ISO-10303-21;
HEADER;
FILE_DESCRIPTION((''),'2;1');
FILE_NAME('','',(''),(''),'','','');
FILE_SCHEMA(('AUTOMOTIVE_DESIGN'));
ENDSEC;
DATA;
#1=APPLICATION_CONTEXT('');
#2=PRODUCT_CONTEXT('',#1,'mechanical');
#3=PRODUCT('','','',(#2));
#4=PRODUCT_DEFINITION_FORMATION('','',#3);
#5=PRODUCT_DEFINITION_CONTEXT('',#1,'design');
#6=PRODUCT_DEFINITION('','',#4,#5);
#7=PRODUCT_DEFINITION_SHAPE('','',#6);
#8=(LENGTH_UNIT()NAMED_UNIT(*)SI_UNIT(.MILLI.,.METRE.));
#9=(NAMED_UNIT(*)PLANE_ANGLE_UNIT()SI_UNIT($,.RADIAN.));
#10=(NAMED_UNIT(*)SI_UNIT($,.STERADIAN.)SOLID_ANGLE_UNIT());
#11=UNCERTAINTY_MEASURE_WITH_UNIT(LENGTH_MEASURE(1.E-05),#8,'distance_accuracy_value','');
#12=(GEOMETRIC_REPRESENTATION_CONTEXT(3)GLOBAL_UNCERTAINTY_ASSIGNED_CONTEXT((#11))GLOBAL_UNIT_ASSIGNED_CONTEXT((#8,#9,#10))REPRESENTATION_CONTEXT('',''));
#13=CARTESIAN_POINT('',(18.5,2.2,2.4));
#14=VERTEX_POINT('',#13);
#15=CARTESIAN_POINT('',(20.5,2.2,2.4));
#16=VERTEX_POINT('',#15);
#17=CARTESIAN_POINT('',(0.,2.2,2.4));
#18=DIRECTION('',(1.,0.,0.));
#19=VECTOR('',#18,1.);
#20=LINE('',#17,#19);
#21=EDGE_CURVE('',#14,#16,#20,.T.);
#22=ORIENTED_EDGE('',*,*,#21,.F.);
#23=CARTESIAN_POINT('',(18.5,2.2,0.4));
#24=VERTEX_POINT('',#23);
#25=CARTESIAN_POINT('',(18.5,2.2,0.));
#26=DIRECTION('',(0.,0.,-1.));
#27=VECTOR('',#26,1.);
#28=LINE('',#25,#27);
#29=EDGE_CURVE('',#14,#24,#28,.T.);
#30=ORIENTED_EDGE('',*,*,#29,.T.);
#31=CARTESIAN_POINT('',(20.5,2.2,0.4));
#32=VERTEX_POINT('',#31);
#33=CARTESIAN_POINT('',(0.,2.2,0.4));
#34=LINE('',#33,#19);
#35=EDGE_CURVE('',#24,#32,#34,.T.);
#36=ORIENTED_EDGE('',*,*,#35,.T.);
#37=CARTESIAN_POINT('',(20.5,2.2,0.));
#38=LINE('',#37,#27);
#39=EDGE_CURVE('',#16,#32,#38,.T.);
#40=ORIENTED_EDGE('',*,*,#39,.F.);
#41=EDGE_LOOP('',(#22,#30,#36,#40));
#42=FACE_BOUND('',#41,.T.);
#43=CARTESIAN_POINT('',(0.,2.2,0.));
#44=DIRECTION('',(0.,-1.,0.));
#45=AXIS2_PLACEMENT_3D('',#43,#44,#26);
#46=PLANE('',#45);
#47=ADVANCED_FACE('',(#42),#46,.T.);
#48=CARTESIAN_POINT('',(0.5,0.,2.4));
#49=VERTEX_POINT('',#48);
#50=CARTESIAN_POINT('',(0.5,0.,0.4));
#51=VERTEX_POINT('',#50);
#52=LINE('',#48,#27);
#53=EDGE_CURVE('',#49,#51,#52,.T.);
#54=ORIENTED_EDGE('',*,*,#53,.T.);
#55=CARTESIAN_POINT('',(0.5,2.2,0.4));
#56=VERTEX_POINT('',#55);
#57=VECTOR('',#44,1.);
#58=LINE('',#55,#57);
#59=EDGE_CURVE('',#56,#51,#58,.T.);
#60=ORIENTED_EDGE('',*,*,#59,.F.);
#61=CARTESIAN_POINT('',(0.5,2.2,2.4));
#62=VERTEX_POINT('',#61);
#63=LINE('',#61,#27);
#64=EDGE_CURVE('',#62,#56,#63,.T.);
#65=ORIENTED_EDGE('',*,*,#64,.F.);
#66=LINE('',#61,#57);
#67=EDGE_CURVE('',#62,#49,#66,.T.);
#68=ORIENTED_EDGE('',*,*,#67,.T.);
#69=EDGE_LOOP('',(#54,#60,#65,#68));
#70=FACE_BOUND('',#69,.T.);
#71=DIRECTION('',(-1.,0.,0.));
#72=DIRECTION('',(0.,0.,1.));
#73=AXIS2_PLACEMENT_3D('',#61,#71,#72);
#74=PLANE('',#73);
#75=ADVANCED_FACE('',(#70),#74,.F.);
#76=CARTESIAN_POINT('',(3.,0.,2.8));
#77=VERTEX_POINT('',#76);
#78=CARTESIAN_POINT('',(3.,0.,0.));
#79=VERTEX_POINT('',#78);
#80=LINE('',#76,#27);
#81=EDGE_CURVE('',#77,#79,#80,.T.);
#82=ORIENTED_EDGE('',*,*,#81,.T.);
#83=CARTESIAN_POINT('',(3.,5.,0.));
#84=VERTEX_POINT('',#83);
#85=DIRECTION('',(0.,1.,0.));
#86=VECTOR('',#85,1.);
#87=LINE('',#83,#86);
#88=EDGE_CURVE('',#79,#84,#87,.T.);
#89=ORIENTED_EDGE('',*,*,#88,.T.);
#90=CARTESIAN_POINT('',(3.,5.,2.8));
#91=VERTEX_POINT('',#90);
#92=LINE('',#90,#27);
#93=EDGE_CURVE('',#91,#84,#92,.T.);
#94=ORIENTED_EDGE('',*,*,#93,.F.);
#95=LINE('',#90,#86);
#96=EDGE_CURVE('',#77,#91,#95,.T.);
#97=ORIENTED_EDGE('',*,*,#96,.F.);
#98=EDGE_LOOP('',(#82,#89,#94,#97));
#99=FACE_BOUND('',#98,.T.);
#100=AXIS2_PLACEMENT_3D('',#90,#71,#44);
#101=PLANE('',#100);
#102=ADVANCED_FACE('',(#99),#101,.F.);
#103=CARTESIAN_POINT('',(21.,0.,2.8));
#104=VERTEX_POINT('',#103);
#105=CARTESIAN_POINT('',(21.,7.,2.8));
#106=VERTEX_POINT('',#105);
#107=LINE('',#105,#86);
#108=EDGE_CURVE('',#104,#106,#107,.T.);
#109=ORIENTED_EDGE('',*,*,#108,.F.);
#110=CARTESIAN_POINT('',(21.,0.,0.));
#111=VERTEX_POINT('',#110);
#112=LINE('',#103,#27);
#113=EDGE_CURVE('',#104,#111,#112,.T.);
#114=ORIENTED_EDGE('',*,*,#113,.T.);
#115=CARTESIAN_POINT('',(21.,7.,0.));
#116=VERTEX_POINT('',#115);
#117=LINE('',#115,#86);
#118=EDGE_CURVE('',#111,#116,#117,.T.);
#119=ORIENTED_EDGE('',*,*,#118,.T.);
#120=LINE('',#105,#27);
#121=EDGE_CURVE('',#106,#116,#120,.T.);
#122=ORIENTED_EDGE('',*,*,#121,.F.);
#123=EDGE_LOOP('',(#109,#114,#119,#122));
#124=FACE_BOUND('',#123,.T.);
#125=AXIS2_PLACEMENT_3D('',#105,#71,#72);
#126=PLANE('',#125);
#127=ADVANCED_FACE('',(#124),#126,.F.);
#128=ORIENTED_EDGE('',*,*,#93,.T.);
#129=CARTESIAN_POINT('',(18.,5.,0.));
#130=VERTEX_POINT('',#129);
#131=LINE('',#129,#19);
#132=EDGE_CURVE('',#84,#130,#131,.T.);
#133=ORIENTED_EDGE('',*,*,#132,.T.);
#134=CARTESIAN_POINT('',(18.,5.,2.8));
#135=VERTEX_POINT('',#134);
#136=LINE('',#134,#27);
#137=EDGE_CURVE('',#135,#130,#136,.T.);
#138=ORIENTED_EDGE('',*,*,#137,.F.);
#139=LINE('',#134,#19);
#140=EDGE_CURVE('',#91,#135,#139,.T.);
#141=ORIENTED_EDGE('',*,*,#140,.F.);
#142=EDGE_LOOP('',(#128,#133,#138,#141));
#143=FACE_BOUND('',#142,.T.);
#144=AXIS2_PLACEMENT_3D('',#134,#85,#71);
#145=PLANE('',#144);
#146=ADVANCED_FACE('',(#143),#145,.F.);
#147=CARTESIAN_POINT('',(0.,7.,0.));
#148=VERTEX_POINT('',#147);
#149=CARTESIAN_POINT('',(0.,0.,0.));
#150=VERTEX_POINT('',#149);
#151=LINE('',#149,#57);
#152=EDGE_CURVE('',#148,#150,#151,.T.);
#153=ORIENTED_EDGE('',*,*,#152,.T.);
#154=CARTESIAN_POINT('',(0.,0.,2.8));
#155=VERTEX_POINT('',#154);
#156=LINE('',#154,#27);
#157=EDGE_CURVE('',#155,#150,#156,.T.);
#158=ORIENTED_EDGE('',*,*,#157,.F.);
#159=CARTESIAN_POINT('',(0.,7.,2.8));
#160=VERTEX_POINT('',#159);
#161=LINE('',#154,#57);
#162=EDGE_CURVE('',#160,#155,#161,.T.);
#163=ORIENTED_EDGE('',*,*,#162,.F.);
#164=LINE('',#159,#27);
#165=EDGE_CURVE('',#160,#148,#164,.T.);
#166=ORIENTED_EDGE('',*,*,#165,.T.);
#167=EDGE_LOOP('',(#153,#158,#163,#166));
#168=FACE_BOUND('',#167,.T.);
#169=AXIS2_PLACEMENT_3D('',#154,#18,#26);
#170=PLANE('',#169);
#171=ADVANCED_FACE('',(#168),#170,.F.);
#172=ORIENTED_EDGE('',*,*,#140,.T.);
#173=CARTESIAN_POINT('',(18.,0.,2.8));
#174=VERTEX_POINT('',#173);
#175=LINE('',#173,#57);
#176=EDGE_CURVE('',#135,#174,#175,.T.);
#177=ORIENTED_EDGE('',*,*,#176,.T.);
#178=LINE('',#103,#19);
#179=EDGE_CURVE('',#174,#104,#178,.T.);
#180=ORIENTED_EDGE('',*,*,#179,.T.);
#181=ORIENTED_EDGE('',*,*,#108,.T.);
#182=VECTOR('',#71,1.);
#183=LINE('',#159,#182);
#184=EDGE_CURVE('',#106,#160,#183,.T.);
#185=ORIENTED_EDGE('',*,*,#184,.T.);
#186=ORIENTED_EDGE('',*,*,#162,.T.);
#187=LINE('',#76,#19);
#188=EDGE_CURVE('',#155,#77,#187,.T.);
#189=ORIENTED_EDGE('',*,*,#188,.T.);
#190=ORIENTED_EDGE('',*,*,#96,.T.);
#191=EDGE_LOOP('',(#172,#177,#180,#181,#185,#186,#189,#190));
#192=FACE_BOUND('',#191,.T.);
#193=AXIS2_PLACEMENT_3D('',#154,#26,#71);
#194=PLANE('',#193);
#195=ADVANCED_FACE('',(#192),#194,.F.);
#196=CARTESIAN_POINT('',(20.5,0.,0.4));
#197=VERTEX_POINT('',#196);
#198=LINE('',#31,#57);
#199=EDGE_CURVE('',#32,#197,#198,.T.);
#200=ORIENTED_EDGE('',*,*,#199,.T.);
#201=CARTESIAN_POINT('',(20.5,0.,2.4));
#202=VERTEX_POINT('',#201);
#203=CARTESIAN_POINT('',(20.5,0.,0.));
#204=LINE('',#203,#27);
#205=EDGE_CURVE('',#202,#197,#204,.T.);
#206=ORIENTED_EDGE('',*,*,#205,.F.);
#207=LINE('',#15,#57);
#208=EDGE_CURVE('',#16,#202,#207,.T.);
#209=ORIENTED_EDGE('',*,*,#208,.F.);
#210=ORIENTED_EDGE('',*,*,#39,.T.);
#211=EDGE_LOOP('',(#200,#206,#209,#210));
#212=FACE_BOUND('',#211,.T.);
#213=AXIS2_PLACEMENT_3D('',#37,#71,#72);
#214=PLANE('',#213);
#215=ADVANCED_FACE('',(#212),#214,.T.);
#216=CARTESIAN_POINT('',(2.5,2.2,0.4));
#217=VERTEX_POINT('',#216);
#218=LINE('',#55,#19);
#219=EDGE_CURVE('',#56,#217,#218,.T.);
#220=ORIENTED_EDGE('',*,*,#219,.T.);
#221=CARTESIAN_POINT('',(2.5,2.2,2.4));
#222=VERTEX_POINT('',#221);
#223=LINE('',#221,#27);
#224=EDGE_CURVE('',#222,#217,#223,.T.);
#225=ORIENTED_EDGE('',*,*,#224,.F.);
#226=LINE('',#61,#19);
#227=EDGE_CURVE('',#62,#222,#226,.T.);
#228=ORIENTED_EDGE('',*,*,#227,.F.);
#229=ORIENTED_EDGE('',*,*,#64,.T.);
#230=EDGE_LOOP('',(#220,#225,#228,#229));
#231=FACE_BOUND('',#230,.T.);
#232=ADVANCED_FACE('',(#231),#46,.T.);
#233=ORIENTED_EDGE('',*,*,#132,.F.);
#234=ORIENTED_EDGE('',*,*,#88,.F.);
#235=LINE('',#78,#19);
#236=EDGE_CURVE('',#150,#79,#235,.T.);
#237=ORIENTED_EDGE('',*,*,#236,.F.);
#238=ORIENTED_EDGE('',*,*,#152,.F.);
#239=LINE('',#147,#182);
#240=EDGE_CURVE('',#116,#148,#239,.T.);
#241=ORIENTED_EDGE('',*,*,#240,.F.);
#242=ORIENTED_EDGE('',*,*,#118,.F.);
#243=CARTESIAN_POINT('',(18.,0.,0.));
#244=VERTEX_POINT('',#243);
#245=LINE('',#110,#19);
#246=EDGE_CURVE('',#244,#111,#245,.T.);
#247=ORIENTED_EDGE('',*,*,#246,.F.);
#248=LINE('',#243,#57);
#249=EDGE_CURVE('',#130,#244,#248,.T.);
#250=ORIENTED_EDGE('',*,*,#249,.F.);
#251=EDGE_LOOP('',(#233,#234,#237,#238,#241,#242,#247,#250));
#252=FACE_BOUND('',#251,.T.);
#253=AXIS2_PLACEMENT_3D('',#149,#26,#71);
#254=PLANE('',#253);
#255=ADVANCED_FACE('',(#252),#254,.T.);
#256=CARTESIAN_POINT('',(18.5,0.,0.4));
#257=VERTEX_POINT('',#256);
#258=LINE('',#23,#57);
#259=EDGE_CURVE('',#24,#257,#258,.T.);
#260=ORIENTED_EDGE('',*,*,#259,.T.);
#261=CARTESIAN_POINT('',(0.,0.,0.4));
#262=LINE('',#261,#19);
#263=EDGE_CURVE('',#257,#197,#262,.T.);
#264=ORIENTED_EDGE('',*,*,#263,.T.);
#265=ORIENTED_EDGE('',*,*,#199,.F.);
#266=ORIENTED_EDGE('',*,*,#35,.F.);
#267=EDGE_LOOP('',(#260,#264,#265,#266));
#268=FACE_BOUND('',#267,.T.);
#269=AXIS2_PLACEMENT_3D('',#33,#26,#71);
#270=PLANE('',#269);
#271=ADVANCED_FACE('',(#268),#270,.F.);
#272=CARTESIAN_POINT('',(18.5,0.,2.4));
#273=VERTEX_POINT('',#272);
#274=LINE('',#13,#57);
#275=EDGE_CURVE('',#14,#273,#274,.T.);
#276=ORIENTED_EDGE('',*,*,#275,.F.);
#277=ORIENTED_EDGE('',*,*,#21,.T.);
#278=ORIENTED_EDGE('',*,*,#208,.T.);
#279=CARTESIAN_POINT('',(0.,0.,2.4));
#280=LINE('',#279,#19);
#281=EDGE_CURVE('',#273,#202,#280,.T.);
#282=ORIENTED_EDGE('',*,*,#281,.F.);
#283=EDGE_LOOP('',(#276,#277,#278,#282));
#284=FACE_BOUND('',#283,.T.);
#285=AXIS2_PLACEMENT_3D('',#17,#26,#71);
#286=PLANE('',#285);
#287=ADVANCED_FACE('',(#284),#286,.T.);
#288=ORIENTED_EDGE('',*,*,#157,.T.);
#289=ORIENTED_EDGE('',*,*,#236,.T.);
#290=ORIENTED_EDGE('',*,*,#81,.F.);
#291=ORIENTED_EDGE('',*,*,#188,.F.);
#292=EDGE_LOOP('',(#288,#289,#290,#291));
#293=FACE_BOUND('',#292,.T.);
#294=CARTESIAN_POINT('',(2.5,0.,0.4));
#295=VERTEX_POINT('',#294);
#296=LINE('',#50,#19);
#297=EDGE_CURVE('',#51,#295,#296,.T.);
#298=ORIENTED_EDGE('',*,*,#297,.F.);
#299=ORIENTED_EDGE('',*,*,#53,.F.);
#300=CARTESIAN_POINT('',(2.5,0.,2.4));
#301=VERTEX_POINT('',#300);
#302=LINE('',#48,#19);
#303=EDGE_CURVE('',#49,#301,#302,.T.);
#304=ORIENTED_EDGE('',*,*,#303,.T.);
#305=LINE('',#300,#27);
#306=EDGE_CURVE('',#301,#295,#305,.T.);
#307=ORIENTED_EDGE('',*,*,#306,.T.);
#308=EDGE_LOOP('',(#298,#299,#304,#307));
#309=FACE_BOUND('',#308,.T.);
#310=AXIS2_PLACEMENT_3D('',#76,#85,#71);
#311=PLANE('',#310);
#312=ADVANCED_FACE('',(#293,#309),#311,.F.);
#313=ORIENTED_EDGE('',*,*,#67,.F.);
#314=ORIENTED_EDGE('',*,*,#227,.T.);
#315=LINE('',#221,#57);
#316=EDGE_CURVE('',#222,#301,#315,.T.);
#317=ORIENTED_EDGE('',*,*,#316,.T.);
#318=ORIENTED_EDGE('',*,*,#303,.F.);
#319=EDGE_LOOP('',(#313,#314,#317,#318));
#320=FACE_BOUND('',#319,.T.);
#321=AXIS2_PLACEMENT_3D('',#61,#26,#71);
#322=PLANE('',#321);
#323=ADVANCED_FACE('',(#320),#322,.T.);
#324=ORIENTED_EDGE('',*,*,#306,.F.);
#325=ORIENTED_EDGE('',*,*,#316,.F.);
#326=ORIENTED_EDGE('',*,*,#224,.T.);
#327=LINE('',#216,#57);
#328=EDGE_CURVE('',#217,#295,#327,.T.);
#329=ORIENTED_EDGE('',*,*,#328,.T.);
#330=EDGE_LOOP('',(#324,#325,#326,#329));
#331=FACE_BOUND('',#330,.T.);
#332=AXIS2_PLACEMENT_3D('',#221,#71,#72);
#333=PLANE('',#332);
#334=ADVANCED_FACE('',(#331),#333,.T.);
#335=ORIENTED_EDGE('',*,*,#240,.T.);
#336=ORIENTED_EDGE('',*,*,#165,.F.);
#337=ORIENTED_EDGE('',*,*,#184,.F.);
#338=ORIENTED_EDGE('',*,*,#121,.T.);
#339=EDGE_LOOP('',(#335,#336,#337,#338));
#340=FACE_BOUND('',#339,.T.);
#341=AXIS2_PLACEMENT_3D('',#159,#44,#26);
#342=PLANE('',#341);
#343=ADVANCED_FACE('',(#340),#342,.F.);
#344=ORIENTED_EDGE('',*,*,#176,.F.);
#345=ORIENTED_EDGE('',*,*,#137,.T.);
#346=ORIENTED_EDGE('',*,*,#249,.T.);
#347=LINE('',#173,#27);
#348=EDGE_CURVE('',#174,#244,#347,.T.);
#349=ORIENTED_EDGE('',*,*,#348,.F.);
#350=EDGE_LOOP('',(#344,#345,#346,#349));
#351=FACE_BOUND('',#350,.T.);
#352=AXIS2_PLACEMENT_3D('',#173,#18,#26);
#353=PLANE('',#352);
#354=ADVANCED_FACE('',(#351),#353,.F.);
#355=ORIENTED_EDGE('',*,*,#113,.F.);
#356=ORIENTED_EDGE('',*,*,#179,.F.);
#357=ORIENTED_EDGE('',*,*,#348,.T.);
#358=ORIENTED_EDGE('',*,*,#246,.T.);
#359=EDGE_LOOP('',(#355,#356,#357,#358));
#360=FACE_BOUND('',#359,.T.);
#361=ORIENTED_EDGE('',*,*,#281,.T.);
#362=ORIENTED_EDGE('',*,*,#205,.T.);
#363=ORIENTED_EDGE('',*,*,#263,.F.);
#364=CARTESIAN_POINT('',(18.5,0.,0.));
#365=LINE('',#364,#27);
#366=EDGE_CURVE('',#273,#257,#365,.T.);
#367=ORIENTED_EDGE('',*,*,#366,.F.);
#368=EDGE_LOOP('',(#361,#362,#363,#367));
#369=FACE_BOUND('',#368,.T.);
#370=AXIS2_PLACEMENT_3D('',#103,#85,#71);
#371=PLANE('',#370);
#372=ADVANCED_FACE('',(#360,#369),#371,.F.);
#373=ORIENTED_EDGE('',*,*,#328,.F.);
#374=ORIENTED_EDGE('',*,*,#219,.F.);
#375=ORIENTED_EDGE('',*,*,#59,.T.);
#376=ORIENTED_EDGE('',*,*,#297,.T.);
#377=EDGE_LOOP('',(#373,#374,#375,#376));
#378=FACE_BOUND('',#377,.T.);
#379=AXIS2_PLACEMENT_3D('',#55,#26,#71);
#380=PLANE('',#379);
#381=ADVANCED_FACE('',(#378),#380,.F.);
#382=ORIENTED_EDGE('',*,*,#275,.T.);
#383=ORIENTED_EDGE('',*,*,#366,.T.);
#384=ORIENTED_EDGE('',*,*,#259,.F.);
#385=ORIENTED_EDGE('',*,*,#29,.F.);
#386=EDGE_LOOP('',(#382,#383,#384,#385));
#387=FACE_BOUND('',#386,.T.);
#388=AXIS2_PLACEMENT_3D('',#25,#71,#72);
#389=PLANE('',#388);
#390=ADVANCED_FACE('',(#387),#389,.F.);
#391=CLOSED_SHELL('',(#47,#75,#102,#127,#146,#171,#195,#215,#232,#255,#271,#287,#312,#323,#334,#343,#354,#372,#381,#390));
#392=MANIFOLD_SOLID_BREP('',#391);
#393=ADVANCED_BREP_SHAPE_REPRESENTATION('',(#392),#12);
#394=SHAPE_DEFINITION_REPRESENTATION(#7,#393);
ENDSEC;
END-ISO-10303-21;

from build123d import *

# Parameters (mm, degrees)
BOSS_EXTRUDE1_DEPTH = 2.8
SKETCH2_W           = 2
SKETCH2_H           = 2
CUT_EXTRUDE1_DEPTH  = 2.2


with BuildPart() as part:
    # Sketch1 → Boss-Extrude1 (new body)
    with BuildSketch(Plane.XY):
        Polygon((0, 0), (0, 7), (21, 7), (21, 0), (18, 0), (18, 5), (3, 5), (3, 0), align=None)
    extrude(amount=BOSS_EXTRUDE1_DEPTH)

    # Sketch2 → Cut-Extrude1 (cut)
    with BuildSketch(Plane.XZ):
        with Locations((19.5, 1.4)):
            Rectangle(SKETCH2_W, SKETCH2_H)
        with Locations((1.5, 1.4)):
            Rectangle(SKETCH2_W, SKETCH2_H)
    extrude(amount=-CUT_EXTRUDE1_DEPTH, mode=Mode.SUBTRACT)


solid = part.part
